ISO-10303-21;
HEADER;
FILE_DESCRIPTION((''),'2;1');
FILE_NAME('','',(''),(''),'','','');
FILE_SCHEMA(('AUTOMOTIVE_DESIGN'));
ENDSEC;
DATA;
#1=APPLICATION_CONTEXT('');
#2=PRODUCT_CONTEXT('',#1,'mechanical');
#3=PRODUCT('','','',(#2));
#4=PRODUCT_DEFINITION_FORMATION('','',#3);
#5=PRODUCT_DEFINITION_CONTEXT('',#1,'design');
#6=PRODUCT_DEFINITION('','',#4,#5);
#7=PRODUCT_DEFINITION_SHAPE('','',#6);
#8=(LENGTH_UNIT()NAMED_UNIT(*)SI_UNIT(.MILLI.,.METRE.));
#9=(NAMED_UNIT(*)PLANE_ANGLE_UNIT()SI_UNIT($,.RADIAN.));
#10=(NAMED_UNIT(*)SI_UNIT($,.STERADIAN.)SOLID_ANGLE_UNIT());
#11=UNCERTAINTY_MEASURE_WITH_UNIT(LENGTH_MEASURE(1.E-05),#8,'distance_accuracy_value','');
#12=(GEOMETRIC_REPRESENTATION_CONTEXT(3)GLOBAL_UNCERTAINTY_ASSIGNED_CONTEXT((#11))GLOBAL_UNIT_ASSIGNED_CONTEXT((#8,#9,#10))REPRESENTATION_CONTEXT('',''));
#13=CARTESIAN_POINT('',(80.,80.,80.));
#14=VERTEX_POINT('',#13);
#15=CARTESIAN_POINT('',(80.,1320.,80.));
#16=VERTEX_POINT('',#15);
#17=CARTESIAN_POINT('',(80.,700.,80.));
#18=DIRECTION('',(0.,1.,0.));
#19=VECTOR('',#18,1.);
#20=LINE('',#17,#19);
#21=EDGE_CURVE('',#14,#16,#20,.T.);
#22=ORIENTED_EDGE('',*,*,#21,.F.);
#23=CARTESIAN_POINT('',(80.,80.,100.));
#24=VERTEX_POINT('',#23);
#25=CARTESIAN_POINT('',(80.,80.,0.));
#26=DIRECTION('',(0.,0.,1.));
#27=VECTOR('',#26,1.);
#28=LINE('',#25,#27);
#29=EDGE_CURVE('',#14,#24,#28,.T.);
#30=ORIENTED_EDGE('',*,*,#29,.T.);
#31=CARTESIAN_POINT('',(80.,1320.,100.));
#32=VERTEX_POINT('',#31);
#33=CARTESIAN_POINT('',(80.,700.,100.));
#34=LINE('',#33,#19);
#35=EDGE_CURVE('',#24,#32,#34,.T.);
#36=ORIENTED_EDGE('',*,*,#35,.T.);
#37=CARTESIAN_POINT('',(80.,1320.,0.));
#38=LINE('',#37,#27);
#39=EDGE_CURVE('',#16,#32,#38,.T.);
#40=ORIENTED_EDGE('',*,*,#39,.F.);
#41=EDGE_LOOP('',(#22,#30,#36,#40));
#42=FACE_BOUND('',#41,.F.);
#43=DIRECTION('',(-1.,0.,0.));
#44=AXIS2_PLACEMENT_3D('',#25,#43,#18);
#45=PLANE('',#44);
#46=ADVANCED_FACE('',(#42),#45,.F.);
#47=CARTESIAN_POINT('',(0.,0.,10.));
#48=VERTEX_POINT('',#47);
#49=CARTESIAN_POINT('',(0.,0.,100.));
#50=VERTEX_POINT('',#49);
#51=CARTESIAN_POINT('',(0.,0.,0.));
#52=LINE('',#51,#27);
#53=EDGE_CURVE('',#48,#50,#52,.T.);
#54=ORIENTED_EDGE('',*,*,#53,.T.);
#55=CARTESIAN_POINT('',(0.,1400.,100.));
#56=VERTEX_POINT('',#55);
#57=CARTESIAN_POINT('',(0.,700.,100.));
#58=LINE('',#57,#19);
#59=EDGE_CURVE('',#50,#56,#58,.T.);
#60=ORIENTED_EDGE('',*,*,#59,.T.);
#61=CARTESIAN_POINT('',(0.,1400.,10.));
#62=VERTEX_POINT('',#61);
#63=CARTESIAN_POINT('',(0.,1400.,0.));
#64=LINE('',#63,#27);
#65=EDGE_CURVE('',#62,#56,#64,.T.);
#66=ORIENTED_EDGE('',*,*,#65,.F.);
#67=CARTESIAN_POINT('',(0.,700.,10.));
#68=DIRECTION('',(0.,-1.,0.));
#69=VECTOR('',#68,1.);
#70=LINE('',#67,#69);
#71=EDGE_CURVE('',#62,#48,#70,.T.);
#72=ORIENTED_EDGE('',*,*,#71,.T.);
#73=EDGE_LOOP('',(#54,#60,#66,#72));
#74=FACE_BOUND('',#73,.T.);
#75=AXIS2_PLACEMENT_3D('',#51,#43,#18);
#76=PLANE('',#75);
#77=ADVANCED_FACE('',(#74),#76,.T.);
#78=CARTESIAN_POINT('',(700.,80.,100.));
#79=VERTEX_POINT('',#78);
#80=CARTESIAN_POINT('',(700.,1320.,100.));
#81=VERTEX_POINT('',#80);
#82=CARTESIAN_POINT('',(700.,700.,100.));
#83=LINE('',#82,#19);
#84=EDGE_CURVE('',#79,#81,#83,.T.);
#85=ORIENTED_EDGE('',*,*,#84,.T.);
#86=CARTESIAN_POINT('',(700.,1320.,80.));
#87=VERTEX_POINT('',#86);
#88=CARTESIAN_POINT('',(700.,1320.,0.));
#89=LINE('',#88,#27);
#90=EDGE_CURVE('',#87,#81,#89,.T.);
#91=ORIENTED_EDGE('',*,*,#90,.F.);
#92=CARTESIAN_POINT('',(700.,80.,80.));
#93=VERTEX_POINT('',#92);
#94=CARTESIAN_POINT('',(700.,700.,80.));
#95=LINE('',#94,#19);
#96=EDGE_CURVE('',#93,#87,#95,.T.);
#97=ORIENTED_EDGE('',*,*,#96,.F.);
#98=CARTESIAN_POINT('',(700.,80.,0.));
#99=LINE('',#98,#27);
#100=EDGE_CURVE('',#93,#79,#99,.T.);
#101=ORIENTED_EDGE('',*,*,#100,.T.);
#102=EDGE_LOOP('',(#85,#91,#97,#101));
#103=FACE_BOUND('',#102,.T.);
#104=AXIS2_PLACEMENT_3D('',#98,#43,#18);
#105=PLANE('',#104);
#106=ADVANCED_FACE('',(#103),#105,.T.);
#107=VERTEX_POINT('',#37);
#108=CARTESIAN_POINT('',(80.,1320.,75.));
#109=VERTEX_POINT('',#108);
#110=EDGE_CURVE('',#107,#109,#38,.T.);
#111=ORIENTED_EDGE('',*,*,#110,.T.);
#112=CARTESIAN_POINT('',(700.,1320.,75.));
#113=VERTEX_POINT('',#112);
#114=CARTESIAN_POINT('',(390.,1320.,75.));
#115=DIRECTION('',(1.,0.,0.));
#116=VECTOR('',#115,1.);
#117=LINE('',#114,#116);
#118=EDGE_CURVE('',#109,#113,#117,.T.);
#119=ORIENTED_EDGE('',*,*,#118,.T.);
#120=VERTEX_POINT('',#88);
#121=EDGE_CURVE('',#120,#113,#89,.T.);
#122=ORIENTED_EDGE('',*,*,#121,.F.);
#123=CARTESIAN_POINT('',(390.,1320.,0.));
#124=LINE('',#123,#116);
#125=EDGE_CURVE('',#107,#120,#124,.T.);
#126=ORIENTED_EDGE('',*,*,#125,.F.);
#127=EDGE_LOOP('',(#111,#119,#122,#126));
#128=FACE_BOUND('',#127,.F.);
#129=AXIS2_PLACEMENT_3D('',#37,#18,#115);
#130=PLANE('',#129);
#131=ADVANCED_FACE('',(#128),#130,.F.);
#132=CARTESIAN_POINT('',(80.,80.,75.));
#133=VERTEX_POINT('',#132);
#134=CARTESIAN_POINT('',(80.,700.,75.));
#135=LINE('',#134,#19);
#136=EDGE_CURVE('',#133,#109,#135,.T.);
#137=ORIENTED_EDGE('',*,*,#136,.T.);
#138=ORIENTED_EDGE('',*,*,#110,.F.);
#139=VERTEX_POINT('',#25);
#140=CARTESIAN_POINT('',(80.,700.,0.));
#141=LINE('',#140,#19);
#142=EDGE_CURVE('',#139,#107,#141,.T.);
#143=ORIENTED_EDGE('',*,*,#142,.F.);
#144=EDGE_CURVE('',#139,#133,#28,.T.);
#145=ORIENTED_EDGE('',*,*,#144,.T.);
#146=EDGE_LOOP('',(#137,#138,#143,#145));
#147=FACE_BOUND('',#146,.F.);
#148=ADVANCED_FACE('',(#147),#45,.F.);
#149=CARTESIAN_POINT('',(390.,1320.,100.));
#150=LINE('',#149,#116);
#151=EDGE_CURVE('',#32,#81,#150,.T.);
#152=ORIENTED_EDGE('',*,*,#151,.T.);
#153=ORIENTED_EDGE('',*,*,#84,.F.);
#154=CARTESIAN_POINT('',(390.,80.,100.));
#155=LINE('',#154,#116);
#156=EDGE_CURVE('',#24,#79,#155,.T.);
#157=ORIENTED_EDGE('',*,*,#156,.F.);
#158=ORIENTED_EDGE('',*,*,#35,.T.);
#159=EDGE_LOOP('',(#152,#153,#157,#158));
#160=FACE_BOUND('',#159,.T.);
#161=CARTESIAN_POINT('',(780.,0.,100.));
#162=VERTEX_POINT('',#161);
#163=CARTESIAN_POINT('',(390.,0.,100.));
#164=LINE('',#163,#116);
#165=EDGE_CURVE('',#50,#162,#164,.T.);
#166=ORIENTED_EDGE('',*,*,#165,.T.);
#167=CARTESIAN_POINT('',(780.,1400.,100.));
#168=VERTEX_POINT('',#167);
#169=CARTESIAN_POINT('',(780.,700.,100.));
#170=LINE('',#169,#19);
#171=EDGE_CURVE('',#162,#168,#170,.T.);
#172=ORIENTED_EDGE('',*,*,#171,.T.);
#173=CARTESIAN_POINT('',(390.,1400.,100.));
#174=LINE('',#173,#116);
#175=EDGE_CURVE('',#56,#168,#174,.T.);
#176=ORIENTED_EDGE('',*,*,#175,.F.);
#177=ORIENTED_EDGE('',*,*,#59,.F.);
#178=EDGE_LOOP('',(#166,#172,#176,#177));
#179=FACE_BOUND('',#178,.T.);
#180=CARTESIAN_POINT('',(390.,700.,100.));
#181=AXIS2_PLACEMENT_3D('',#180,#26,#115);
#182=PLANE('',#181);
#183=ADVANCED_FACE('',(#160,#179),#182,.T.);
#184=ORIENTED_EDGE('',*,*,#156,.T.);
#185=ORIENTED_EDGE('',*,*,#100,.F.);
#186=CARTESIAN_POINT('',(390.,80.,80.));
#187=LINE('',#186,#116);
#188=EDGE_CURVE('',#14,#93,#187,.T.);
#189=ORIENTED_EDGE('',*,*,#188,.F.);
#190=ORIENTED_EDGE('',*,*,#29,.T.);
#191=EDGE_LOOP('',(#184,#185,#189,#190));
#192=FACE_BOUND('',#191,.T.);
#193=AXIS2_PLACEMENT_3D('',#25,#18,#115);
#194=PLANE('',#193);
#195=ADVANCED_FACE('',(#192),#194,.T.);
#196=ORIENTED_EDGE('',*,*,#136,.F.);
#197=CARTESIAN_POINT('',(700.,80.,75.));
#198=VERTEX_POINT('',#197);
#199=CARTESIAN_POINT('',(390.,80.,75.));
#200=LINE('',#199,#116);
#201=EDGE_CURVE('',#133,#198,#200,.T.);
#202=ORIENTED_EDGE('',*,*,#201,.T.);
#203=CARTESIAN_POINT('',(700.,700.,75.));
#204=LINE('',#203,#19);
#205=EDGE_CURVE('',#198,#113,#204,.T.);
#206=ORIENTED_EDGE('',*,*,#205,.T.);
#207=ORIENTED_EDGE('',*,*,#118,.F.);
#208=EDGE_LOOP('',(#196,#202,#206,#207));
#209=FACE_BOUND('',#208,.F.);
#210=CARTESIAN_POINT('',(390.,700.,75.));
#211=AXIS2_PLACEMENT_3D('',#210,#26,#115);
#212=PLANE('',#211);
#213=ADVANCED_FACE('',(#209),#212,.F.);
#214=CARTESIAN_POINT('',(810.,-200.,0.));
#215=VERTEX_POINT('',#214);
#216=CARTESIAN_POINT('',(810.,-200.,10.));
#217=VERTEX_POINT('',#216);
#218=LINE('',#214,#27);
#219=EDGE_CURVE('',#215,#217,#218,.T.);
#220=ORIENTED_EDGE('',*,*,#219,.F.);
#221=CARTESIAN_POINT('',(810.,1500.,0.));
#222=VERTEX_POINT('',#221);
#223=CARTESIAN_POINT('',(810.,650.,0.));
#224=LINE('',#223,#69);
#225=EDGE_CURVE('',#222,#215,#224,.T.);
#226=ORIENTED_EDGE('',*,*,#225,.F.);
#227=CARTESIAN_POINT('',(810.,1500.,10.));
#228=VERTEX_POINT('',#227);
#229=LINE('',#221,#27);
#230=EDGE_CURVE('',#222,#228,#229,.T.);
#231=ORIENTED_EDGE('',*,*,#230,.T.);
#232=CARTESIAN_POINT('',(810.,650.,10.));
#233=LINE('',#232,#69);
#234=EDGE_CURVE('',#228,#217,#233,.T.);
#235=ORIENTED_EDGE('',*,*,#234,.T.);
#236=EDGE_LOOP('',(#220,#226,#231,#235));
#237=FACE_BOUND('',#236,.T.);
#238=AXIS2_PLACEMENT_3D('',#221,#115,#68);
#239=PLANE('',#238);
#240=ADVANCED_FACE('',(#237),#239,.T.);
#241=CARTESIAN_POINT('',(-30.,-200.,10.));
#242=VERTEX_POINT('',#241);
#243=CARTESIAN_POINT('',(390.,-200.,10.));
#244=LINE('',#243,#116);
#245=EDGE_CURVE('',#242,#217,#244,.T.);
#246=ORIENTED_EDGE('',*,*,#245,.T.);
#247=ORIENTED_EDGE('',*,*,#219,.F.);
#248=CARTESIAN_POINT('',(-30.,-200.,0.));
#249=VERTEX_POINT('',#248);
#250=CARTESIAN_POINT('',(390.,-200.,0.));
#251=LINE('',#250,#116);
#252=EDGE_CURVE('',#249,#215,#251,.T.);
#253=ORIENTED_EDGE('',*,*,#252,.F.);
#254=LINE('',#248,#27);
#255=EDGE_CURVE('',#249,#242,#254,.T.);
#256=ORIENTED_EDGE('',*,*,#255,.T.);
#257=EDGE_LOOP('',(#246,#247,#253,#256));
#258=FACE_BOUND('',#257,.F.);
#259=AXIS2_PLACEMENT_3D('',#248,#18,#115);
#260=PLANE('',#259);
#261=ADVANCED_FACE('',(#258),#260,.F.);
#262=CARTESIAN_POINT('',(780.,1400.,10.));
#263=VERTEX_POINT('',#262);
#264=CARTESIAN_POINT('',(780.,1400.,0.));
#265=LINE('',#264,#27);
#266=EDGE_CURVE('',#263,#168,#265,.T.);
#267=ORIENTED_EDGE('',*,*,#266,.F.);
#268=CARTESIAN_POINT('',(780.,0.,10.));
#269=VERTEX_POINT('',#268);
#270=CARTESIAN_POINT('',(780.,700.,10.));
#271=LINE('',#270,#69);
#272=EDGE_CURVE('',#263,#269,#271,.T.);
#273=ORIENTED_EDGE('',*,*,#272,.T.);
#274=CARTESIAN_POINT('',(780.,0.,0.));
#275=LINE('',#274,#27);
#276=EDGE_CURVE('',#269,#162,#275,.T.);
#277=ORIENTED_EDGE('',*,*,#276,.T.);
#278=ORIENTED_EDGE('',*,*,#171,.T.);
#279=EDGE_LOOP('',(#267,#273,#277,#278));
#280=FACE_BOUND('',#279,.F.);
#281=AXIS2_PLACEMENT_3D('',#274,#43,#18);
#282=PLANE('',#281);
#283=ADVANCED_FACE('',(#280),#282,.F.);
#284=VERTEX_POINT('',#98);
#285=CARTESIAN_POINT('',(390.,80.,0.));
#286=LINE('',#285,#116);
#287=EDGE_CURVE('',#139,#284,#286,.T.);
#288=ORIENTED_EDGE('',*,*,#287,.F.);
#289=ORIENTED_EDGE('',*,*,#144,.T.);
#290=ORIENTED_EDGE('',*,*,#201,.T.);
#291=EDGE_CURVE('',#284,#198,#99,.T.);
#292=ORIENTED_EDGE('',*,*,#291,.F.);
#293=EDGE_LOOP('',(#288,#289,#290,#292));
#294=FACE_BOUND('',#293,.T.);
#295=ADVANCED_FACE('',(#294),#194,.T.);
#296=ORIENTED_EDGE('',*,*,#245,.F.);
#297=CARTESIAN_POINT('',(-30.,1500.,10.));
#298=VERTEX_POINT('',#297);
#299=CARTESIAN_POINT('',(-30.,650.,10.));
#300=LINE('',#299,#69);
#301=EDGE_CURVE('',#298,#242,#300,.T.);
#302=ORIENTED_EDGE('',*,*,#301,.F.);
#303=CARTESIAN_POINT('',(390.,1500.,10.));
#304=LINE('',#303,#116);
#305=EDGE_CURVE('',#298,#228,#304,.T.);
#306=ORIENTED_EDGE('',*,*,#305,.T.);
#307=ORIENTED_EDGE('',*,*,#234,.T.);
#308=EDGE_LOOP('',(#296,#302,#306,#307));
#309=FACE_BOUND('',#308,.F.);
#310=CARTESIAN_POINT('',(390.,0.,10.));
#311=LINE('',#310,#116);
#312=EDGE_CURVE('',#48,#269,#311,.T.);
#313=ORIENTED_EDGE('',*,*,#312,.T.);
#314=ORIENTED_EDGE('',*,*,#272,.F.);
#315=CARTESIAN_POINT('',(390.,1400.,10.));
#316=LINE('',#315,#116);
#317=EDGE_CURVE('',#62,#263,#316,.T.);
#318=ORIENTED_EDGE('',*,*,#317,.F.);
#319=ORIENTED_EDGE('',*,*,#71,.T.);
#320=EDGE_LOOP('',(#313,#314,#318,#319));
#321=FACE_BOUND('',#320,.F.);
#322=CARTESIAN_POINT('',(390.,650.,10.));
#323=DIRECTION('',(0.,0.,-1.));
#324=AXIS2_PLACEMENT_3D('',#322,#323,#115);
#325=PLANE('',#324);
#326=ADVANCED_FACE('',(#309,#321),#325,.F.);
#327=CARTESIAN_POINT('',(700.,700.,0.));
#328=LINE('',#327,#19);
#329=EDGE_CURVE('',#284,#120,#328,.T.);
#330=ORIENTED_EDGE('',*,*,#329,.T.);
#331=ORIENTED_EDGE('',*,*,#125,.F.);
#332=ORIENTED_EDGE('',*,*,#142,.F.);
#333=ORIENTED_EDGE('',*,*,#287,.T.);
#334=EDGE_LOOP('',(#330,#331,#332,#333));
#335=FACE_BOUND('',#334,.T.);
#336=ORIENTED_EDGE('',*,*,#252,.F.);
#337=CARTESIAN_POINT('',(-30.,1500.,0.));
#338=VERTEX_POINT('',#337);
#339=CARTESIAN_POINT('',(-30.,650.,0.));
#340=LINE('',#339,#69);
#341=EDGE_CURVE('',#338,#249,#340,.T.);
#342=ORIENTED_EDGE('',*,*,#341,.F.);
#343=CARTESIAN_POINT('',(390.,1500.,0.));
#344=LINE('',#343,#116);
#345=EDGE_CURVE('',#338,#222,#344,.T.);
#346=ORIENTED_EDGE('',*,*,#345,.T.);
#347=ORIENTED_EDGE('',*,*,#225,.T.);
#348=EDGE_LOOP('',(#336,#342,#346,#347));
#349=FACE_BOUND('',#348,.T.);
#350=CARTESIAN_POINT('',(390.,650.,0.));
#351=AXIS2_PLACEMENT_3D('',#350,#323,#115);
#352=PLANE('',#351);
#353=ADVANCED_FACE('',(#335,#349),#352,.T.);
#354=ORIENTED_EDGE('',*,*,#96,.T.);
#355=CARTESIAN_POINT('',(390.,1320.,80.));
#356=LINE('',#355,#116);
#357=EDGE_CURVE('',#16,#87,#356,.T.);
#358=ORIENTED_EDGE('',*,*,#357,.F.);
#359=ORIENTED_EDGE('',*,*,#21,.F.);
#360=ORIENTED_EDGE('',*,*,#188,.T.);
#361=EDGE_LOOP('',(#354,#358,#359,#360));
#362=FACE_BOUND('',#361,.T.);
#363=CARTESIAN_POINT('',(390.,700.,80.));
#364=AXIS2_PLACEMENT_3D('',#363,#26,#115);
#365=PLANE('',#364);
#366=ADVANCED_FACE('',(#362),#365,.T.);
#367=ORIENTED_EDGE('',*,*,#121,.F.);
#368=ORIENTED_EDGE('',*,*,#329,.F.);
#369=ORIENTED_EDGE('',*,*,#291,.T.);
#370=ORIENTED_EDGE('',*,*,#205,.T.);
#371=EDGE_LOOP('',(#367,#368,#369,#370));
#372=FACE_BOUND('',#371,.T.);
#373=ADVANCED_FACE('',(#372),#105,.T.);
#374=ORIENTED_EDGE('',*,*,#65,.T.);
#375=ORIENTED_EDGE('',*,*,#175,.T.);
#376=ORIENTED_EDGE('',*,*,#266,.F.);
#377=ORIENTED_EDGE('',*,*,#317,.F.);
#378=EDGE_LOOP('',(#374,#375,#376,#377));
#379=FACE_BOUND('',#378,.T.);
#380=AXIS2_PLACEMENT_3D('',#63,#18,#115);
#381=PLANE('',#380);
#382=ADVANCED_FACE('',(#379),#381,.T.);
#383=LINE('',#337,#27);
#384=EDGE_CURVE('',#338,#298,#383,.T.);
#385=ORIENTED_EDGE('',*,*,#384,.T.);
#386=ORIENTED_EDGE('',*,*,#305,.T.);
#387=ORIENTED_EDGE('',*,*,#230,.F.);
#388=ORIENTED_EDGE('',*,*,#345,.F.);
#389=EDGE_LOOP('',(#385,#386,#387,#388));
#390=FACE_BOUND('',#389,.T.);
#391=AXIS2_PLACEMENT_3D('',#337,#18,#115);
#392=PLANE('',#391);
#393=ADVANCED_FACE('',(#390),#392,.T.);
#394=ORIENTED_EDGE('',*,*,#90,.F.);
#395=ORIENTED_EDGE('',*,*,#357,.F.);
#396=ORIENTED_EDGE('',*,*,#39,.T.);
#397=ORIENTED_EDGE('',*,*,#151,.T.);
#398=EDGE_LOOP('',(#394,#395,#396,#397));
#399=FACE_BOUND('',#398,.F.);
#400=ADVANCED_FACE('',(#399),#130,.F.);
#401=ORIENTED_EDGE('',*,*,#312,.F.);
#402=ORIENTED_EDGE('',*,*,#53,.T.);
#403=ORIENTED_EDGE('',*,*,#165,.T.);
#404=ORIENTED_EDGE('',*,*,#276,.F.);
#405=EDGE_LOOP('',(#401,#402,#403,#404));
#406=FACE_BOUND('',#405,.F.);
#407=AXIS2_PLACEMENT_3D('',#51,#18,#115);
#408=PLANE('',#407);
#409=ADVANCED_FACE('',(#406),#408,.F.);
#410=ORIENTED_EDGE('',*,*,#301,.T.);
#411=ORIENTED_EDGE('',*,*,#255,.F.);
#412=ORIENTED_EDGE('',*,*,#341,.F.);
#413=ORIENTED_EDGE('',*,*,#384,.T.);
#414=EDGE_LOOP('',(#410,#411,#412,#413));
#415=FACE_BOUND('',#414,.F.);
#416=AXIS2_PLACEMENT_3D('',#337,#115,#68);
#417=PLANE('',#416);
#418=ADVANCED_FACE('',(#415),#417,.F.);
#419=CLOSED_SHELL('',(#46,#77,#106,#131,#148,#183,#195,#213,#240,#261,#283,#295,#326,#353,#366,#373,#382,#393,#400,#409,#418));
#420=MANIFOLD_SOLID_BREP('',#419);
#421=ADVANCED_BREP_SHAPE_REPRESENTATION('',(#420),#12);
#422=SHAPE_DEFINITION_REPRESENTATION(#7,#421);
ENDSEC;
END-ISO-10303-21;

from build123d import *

# Parameters (mm, degrees)
F0_W     = 780
F0_H     = 1400
F0_W_2   = 620
F0_H_2   = 1240
F1_DEPTH = 100
F2_W     = 840
F2_H     = 1700
F2_W_2   = 780
F2_H_2   = 1400
F3_DEPTH = 10
F5_W     = 620
F5_H     = 1240
F6_DEPTH = 5


with BuildPart() as f1:
    # F0 (on Top) → F1 (new body)
    with BuildSketch(Plane.XY):
        with Locations((390, 700)):
            Rectangle(F0_W, F0_H)
        with Locations((390, 700)):
            Rectangle(F0_W_2, F0_H_2, mode=Mode.SUBTRACT)
    extrude(amount=F1_DEPTH)

    # F2 (on face) → F3 (join)
    with BuildSketch(Plane(origin=(0, 0, 0), x_dir=(1, 0, 0), z_dir=(0, 0, -1))):
        with Locations((390, -650)):
            Rectangle(F2_W, F2_H)
        with Locations((390, -700)):
            Rectangle(F2_W_2, F2_H_2, mode=Mode.SUBTRACT)
    extrude(amount=-F3_DEPTH)

    # F5 (on offset) → F6 (join)
    with BuildSketch(Plane.XY.offset(75)):
        with Locations((390, 700)):
            Rectangle(F5_W, F5_H)
    extrude(amount=F6_DEPTH)


solid = f1.part
